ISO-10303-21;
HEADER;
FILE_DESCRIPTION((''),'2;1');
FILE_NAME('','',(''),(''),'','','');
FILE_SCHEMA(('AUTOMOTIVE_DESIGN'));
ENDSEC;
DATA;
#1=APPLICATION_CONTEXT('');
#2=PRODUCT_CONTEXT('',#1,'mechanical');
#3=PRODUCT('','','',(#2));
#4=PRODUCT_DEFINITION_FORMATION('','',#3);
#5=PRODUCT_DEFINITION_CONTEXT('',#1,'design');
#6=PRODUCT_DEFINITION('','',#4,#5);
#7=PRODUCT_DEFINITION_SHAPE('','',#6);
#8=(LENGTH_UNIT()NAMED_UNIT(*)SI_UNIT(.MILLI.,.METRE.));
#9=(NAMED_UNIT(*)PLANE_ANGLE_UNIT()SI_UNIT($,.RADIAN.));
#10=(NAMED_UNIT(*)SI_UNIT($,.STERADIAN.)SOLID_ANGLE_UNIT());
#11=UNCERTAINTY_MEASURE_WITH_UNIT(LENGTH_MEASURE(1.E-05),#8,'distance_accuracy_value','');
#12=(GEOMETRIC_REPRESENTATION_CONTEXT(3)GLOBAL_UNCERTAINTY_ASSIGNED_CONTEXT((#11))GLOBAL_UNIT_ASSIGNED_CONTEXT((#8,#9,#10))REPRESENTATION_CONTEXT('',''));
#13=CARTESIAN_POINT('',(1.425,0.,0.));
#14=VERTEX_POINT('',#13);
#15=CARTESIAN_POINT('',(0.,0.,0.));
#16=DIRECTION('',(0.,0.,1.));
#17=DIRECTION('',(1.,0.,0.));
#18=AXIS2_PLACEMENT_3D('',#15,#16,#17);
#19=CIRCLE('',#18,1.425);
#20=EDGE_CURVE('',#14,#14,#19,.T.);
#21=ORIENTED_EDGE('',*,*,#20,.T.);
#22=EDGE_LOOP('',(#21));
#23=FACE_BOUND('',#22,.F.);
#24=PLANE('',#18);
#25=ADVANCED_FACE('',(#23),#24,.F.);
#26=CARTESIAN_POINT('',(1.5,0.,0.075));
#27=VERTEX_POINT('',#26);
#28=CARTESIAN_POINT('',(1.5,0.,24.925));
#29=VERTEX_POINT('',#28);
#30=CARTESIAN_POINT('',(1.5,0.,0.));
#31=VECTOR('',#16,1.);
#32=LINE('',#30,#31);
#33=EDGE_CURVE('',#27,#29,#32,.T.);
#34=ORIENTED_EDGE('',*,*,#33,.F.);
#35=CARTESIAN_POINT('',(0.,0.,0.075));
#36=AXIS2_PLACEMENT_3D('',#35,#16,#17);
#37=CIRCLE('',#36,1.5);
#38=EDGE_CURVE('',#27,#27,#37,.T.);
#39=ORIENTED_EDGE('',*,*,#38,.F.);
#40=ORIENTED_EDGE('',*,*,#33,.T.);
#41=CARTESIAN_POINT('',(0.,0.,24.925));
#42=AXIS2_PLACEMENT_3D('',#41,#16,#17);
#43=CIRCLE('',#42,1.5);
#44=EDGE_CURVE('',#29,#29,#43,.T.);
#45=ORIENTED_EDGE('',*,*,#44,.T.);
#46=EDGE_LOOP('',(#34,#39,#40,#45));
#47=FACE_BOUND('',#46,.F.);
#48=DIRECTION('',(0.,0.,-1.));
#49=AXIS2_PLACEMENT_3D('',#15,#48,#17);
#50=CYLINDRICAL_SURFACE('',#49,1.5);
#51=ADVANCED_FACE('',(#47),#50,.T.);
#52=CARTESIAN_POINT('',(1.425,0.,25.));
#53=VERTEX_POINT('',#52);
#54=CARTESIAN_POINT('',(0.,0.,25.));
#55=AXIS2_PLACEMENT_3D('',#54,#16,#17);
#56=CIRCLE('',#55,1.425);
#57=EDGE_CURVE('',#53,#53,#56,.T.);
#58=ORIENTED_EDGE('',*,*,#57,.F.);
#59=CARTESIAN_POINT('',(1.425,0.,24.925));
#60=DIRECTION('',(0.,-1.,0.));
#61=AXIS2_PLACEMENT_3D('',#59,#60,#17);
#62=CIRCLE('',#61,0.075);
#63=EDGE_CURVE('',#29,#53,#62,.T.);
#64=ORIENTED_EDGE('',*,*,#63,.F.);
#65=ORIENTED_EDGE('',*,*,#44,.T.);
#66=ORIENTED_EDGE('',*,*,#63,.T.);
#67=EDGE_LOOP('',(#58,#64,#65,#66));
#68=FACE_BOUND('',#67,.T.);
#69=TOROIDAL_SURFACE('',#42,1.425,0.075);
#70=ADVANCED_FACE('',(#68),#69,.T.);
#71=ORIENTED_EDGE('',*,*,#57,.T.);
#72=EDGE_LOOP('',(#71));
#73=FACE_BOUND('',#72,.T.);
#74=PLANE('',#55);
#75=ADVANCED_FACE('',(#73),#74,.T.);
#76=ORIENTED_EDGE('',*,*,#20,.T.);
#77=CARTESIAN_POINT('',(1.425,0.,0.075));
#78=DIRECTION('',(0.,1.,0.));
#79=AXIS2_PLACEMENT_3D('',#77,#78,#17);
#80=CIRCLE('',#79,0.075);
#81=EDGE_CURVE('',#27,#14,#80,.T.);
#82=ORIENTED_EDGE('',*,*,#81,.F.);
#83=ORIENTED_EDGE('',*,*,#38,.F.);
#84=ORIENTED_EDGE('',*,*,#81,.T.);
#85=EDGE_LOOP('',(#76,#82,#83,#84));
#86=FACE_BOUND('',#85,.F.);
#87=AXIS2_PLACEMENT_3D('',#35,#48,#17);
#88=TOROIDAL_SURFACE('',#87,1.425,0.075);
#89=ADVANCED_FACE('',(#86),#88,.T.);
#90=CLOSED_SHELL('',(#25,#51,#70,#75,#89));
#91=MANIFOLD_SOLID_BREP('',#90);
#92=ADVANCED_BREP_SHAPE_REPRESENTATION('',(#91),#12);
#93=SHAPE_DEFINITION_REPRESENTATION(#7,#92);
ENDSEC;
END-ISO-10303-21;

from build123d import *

# Parameters (mm, degrees)
SKETCH1_R           = 1.5
BOSS_EXTRUDE1_DEPTH = 25
FILLET1_R           = 0.075


with BuildPart() as part:
    # Sketch1 → Boss-Extrude1 (new body)
    with BuildSketch(Plane.XY):
        Circle(SKETCH1_R)
    extrude(amount=BOSS_EXTRUDE1_DEPTH)

    # Fillet1
    fillet1_edges = [part.edges().sort_by_distance(p)[0] for p in [
        (-1.5, 0, 0),
        (-1.5, 0, 25),
    ]]
    fillet(fillet1_edges, radius=FILLET1_R)


solid = part.part
